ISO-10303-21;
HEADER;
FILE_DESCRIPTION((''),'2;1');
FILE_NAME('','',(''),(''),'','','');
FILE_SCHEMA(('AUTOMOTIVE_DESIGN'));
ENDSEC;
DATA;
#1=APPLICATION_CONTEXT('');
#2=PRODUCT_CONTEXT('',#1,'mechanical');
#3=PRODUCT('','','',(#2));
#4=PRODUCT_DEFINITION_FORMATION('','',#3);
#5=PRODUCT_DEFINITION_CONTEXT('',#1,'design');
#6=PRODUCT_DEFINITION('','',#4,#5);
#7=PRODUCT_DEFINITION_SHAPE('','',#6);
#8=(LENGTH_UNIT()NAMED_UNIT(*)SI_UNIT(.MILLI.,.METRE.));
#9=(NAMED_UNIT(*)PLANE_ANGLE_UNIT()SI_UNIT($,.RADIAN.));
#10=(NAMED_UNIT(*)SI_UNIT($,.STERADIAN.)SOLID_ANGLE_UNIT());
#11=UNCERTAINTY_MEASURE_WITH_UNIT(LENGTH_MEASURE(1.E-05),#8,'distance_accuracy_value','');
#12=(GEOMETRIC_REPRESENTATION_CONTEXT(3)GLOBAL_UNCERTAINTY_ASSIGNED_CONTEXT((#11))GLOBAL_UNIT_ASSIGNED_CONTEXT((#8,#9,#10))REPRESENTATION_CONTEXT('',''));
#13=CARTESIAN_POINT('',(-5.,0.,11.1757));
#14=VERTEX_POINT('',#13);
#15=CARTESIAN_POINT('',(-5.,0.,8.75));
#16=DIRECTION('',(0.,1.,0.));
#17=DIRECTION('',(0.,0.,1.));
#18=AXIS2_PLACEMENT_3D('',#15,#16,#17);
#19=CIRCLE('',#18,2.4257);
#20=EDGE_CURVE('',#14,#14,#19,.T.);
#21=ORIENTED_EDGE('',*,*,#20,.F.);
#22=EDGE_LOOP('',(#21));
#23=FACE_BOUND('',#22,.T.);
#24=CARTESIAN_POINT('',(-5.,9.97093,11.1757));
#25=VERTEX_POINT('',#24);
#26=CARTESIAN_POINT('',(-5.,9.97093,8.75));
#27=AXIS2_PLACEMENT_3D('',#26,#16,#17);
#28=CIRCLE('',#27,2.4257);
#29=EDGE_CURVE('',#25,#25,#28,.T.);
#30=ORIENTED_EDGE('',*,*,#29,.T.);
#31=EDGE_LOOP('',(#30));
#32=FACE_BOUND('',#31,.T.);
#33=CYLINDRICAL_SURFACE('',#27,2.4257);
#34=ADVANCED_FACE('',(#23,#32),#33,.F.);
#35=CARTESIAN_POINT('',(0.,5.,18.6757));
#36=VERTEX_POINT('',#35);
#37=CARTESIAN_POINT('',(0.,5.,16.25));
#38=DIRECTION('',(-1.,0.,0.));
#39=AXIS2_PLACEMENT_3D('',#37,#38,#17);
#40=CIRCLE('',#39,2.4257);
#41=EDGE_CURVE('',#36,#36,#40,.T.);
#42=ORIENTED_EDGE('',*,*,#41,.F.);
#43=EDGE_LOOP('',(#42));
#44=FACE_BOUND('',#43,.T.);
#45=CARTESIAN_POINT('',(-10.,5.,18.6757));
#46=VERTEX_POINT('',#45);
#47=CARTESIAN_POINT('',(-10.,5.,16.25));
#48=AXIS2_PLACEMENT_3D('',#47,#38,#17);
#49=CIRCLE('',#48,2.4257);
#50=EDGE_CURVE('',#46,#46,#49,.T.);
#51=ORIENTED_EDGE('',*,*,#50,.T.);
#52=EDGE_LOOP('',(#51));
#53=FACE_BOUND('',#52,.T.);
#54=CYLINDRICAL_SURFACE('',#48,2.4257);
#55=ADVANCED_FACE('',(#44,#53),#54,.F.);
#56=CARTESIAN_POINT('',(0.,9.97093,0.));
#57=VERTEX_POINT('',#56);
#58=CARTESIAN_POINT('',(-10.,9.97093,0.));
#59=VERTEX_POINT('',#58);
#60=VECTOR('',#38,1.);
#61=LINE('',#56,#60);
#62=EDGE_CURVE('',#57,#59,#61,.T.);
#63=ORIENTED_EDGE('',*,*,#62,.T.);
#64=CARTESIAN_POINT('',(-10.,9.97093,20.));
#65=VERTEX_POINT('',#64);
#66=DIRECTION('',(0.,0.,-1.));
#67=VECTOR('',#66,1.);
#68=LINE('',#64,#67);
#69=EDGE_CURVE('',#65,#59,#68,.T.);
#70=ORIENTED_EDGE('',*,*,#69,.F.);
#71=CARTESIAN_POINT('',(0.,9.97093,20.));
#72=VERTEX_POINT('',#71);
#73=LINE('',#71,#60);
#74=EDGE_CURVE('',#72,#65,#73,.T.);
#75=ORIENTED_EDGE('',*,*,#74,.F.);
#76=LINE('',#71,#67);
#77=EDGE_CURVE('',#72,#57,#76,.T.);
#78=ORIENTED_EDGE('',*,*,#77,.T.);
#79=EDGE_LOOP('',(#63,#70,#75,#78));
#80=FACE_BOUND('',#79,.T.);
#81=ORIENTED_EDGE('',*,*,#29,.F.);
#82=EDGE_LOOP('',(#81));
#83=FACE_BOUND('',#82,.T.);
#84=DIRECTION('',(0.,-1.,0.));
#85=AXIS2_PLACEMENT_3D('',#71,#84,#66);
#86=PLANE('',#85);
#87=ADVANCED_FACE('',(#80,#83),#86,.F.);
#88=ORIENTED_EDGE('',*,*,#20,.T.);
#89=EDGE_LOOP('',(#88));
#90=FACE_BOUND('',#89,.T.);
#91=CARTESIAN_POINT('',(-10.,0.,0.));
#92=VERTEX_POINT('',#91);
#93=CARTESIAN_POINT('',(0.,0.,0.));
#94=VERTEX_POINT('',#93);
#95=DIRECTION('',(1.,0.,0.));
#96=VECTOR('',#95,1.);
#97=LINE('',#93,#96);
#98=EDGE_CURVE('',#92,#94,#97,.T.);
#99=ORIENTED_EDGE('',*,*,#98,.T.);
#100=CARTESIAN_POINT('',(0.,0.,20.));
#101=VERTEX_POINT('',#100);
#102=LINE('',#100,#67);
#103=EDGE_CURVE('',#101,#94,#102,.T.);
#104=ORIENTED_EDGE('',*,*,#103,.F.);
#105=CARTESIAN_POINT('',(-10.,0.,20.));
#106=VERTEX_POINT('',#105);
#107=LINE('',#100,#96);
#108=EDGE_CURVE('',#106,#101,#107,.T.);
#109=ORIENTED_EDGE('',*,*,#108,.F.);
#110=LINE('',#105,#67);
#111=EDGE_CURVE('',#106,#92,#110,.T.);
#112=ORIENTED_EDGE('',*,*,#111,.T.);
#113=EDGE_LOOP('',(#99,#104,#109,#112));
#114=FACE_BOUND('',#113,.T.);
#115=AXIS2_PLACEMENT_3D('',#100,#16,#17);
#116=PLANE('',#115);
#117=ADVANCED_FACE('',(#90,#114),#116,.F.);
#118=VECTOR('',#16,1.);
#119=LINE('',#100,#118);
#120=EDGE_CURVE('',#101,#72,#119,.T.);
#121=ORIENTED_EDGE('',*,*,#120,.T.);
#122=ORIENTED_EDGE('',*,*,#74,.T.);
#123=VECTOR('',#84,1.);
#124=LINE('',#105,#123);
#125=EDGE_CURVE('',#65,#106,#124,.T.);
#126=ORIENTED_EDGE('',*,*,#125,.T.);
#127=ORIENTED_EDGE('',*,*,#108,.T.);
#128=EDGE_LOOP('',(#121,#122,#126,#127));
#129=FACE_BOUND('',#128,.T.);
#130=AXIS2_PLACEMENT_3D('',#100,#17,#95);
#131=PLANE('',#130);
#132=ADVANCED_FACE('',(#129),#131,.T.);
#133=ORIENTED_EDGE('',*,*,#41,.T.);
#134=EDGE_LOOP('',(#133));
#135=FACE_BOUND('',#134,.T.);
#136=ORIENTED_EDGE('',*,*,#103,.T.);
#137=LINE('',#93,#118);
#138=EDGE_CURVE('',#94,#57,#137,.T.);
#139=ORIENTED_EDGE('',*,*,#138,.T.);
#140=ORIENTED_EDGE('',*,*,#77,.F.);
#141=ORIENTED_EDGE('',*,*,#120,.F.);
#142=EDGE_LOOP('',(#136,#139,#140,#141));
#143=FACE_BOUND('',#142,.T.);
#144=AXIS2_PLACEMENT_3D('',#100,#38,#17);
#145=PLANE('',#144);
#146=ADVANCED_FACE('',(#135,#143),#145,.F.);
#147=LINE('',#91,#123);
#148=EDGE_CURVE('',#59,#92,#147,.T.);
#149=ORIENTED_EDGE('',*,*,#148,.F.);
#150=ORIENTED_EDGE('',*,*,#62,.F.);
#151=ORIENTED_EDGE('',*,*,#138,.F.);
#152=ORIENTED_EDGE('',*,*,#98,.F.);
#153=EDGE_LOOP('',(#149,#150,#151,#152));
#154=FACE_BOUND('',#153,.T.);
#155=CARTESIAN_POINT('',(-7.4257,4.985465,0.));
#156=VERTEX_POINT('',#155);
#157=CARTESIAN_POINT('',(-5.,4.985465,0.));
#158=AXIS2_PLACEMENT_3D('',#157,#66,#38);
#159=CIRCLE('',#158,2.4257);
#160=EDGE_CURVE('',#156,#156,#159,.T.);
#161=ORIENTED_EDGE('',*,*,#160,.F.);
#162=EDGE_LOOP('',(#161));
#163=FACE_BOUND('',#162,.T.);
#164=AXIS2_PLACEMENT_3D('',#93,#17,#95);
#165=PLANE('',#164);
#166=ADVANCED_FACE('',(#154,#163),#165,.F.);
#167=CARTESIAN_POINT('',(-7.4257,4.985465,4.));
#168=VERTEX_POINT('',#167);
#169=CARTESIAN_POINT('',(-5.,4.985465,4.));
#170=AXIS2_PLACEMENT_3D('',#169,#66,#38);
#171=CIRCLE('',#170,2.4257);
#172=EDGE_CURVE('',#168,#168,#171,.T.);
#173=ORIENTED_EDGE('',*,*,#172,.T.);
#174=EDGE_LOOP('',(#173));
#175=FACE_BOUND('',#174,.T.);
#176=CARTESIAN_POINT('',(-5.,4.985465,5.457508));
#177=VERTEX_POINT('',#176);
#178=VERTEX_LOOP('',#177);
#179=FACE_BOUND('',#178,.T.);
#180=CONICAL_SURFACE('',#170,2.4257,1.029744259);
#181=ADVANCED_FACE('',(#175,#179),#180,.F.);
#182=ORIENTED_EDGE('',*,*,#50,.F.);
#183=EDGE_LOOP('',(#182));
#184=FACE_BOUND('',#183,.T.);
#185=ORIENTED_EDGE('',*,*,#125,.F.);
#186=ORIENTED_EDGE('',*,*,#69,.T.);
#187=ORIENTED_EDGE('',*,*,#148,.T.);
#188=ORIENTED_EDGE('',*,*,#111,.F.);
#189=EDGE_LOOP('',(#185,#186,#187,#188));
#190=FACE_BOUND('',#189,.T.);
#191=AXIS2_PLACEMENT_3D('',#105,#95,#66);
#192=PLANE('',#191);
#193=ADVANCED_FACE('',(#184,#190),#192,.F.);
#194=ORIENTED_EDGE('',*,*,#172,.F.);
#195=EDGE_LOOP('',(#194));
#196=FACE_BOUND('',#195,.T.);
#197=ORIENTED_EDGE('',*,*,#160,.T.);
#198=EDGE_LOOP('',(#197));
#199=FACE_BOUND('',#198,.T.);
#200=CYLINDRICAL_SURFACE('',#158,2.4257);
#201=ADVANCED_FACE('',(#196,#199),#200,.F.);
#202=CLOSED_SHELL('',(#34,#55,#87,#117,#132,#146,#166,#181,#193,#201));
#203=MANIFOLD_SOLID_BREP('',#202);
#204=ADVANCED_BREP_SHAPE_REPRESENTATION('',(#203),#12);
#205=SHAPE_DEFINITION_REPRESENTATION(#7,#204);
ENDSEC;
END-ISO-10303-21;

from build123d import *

# Parameters (mm, degrees)
SKETCH1_W                       = 10
SKETCH1_H                       = 9.970930233
BOSS_EXTRUDE1_DEPTH             = 20
F_11_0_191_DIAMETER_HOLE6_D     = 4.8514
F_11_0_191_DIAMETER_HOLE6_DEPTH = 4
F_11_0_191_DIAMETER_HOLE6_TIP   = 1.457507604
F_11_0_191_DIAMETER_HOLE7_D     = 4.8514
F_11_0_191_DIAMETER_HOLE8_D     = 4.8514


with BuildPart() as part:
    # Sketch1 → Boss-Extrude1 (new body)
    with BuildSketch(Plane.XY):
        with Locations((-5, 4.985465117)):
            Rectangle(SKETCH1_W, SKETCH1_H)
    extrude(amount=BOSS_EXTRUDE1_DEPTH)

    # #11 (0.191) Diameter Hole6
    with Locations(Plane(origin=(0, 0, 0), x_dir=(-1, 0, 0), z_dir=(0, 0, -1))):
        with Locations((5, 4.985465116)):
            Hole(F_11_0_191_DIAMETER_HOLE6_D / 2, depth=F_11_0_191_DIAMETER_HOLE6_DEPTH)
            with Locations((0, 0, -(F_11_0_191_DIAMETER_HOLE6_DEPTH + F_11_0_191_DIAMETER_HOLE6_TIP / 2))):  # 118° drill point
                Cone(0, F_11_0_191_DIAMETER_HOLE6_D / 2, F_11_0_191_DIAMETER_HOLE6_TIP, mode=Mode.SUBTRACT)

    # #11 (0.191) Diameter Hole7 (through all)
    with Locations(Plane(origin=(0, 9.970930233, 0), x_dir=(1, 0, 0), z_dir=(0, 1, 0))):
        with Locations((-5, -8.75)):
            Hole(F_11_0_191_DIAMETER_HOLE7_D / 2)

    # #11 (0.191) Diameter Hole8 (through all)
    with Locations(Plane.ZY.offset(10)):
        with Locations((16.25, 5)):
            Hole(F_11_0_191_DIAMETER_HOLE8_D / 2)


solid = part.part
